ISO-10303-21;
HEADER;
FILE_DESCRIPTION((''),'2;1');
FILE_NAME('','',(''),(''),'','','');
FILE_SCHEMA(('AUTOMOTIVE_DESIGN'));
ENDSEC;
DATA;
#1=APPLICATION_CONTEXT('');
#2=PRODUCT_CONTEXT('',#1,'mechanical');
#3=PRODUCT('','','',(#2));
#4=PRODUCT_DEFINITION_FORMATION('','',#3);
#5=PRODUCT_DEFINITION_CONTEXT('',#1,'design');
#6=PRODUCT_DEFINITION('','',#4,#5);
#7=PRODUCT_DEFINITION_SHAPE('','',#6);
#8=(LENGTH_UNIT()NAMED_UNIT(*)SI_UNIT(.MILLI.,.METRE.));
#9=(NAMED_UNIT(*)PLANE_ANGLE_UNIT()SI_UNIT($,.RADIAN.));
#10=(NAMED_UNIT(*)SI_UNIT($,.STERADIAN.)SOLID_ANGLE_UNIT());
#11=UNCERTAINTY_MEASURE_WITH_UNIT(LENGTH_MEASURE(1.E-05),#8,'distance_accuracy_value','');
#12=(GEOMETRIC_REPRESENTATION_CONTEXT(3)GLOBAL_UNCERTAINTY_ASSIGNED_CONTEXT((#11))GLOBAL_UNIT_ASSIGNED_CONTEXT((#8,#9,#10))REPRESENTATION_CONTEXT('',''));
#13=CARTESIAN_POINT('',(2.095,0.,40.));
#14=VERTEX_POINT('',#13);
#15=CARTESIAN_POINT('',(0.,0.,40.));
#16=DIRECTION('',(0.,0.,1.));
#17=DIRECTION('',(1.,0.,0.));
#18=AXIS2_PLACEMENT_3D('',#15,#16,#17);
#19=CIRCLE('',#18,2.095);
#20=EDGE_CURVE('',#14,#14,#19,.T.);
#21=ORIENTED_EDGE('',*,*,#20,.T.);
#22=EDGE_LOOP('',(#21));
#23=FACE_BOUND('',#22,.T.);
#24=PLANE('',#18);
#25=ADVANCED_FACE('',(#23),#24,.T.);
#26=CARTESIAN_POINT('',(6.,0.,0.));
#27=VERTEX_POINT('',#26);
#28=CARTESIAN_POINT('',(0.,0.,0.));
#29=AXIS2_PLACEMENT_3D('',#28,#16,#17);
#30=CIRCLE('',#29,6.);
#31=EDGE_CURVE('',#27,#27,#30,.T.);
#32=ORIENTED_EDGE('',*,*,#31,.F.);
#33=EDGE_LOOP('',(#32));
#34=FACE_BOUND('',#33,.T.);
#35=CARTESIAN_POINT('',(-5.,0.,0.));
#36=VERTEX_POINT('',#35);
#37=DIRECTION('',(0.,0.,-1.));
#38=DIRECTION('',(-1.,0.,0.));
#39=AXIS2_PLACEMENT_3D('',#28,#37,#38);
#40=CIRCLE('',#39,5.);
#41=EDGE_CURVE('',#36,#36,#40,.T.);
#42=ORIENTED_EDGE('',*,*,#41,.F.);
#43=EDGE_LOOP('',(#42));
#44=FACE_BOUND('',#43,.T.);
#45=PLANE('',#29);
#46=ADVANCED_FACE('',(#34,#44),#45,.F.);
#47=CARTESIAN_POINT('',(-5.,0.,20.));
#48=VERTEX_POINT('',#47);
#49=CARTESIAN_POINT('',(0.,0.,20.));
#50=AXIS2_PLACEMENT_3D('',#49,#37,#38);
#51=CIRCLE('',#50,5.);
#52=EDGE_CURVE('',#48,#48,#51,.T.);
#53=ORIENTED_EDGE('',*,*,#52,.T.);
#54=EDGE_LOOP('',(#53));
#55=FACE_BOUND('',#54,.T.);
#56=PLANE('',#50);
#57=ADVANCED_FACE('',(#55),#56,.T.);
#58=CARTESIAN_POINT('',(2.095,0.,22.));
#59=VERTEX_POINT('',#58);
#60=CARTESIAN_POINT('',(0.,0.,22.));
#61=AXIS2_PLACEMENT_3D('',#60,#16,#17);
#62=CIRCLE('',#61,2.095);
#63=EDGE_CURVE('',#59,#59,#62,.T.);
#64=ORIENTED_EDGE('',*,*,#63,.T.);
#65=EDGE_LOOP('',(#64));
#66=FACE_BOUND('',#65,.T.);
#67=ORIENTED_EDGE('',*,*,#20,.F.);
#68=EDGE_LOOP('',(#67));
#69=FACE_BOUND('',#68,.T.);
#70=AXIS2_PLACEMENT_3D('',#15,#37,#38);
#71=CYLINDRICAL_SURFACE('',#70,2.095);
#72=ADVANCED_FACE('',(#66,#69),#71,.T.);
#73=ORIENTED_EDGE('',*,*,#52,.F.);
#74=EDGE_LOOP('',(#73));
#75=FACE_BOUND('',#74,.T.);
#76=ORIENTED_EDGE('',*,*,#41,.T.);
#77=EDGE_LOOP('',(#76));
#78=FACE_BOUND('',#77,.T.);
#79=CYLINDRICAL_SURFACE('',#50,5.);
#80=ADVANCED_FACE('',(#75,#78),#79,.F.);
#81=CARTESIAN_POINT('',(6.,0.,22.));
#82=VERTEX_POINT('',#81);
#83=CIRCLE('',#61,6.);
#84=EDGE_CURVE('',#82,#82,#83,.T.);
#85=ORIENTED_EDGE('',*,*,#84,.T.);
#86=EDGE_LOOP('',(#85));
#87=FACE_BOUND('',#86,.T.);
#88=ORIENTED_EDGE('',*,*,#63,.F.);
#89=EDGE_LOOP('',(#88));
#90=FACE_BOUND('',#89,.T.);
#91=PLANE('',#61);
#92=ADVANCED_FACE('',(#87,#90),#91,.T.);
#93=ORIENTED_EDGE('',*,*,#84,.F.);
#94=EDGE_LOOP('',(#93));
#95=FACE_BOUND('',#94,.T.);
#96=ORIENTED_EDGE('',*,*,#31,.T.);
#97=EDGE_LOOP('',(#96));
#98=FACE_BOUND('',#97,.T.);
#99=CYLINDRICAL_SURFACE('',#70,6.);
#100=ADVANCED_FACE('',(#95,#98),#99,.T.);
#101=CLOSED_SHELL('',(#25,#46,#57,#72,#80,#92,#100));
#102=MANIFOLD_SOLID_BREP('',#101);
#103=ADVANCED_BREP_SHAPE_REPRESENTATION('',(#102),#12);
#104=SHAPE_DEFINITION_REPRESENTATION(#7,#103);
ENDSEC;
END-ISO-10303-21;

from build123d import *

# Parameters (mm, degrees)
SKETCH5_R           = 6
BOSS_EXTRUDE4_DEPTH = 40
SKETCH6_R           = 5
CUT_EXTRUDE1_DEPTH  = 20
CUT_EXTRUDE2_START  = -18
SKETCH7_R           = 6
CUT_EXTRUDE2_DEPTH  = 18
SKETCH8_R           = 2.095
BOSS_EXTRUDE5_DEPTH = 18


with BuildPart() as part:
    # Sketch5 → Boss-Extrude4 (new body)
    with BuildSketch(Plane.XY):
        Circle(SKETCH5_R)
    extrude(amount=BOSS_EXTRUDE4_DEPTH)

    # Sketch6 → Cut-Extrude1 (cut)
    with BuildSketch(Plane(origin=(0, 0, 0), x_dir=(-1, 0, 0), z_dir=(0, 0, -1))):
        Circle(SKETCH6_R)
    extrude(amount=-CUT_EXTRUDE1_DEPTH, mode=Mode.SUBTRACT)

    # Sketch7 → Cut-Extrude2 (cut)
    with BuildSketch(Plane.XY.offset(40).offset(CUT_EXTRUDE2_START)):
        Circle(SKETCH7_R)
    extrude(amount=CUT_EXTRUDE2_DEPTH, mode=Mode.SUBTRACT)

    # Sketch8 → Boss-Extrude5 (add)
    with BuildSketch(Plane.XY.offset(22)):
        Circle(SKETCH8_R)
    extrude(amount=BOSS_EXTRUDE5_DEPTH)


solid = part.part
